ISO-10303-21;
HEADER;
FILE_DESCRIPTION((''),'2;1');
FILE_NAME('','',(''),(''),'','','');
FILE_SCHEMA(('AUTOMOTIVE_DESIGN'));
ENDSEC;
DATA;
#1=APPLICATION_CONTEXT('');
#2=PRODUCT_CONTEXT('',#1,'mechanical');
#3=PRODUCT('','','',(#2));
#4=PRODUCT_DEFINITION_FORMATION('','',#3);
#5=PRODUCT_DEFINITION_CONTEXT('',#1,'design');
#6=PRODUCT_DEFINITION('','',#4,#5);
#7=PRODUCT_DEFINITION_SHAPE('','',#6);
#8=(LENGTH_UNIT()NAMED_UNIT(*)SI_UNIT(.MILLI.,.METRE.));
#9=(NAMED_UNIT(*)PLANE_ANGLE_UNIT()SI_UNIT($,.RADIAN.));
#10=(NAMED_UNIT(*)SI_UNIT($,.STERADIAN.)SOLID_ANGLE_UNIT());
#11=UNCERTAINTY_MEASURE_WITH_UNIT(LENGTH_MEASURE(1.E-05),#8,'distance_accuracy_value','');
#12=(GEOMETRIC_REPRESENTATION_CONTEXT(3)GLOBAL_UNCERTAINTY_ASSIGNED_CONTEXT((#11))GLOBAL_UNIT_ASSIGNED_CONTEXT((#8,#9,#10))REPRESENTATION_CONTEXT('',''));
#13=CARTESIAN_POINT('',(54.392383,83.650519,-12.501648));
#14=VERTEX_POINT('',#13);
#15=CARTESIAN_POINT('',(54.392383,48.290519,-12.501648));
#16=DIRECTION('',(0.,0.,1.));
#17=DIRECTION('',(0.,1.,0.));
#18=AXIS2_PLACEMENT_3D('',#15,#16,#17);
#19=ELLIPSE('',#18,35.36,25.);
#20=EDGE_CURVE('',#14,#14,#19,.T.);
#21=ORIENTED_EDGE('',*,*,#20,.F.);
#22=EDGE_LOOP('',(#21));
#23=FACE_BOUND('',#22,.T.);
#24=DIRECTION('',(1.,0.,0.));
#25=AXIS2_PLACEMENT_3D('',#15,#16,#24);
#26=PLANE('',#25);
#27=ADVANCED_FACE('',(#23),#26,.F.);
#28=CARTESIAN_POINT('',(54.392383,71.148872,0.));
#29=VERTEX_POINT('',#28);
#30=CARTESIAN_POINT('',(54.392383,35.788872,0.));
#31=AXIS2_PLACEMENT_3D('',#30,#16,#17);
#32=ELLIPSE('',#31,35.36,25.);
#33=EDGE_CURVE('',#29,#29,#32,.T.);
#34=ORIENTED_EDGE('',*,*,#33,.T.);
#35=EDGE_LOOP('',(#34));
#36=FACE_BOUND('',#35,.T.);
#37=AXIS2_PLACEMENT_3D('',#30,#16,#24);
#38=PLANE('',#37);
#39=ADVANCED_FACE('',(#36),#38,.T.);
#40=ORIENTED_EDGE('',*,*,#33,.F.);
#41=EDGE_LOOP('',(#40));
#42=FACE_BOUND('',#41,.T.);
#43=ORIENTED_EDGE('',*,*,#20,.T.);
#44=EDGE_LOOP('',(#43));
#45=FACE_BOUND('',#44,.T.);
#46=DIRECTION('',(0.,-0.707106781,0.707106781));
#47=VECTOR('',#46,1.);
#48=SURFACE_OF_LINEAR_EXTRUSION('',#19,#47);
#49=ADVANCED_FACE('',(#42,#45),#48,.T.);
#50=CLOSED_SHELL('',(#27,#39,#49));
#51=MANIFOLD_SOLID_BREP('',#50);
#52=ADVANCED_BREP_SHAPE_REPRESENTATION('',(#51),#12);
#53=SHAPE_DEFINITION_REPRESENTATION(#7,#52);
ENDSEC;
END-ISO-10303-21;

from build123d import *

# Parameters (mm, degrees)
SKETCH_1_RX     = 35.36
SKETCH_1_RY     = 25
EXTRUDE_2_DEPTH = 17.68


with BuildPart() as part:
    # 草图1 → 凸台-拉伸2 (new body, along a direction that is not the sketch's normal)
    with BuildSketch(Plane.XY):
        with Locations(Location((54.392382982, 35.78887153), (0, 0, 90))):
            Ellipse(SKETCH_1_RX, SKETCH_1_RY)
    extrude(amount=-EXTRUDE_2_DEPTH, dir=(0, -0.707106781, 0.707106781))


solid = part.part
